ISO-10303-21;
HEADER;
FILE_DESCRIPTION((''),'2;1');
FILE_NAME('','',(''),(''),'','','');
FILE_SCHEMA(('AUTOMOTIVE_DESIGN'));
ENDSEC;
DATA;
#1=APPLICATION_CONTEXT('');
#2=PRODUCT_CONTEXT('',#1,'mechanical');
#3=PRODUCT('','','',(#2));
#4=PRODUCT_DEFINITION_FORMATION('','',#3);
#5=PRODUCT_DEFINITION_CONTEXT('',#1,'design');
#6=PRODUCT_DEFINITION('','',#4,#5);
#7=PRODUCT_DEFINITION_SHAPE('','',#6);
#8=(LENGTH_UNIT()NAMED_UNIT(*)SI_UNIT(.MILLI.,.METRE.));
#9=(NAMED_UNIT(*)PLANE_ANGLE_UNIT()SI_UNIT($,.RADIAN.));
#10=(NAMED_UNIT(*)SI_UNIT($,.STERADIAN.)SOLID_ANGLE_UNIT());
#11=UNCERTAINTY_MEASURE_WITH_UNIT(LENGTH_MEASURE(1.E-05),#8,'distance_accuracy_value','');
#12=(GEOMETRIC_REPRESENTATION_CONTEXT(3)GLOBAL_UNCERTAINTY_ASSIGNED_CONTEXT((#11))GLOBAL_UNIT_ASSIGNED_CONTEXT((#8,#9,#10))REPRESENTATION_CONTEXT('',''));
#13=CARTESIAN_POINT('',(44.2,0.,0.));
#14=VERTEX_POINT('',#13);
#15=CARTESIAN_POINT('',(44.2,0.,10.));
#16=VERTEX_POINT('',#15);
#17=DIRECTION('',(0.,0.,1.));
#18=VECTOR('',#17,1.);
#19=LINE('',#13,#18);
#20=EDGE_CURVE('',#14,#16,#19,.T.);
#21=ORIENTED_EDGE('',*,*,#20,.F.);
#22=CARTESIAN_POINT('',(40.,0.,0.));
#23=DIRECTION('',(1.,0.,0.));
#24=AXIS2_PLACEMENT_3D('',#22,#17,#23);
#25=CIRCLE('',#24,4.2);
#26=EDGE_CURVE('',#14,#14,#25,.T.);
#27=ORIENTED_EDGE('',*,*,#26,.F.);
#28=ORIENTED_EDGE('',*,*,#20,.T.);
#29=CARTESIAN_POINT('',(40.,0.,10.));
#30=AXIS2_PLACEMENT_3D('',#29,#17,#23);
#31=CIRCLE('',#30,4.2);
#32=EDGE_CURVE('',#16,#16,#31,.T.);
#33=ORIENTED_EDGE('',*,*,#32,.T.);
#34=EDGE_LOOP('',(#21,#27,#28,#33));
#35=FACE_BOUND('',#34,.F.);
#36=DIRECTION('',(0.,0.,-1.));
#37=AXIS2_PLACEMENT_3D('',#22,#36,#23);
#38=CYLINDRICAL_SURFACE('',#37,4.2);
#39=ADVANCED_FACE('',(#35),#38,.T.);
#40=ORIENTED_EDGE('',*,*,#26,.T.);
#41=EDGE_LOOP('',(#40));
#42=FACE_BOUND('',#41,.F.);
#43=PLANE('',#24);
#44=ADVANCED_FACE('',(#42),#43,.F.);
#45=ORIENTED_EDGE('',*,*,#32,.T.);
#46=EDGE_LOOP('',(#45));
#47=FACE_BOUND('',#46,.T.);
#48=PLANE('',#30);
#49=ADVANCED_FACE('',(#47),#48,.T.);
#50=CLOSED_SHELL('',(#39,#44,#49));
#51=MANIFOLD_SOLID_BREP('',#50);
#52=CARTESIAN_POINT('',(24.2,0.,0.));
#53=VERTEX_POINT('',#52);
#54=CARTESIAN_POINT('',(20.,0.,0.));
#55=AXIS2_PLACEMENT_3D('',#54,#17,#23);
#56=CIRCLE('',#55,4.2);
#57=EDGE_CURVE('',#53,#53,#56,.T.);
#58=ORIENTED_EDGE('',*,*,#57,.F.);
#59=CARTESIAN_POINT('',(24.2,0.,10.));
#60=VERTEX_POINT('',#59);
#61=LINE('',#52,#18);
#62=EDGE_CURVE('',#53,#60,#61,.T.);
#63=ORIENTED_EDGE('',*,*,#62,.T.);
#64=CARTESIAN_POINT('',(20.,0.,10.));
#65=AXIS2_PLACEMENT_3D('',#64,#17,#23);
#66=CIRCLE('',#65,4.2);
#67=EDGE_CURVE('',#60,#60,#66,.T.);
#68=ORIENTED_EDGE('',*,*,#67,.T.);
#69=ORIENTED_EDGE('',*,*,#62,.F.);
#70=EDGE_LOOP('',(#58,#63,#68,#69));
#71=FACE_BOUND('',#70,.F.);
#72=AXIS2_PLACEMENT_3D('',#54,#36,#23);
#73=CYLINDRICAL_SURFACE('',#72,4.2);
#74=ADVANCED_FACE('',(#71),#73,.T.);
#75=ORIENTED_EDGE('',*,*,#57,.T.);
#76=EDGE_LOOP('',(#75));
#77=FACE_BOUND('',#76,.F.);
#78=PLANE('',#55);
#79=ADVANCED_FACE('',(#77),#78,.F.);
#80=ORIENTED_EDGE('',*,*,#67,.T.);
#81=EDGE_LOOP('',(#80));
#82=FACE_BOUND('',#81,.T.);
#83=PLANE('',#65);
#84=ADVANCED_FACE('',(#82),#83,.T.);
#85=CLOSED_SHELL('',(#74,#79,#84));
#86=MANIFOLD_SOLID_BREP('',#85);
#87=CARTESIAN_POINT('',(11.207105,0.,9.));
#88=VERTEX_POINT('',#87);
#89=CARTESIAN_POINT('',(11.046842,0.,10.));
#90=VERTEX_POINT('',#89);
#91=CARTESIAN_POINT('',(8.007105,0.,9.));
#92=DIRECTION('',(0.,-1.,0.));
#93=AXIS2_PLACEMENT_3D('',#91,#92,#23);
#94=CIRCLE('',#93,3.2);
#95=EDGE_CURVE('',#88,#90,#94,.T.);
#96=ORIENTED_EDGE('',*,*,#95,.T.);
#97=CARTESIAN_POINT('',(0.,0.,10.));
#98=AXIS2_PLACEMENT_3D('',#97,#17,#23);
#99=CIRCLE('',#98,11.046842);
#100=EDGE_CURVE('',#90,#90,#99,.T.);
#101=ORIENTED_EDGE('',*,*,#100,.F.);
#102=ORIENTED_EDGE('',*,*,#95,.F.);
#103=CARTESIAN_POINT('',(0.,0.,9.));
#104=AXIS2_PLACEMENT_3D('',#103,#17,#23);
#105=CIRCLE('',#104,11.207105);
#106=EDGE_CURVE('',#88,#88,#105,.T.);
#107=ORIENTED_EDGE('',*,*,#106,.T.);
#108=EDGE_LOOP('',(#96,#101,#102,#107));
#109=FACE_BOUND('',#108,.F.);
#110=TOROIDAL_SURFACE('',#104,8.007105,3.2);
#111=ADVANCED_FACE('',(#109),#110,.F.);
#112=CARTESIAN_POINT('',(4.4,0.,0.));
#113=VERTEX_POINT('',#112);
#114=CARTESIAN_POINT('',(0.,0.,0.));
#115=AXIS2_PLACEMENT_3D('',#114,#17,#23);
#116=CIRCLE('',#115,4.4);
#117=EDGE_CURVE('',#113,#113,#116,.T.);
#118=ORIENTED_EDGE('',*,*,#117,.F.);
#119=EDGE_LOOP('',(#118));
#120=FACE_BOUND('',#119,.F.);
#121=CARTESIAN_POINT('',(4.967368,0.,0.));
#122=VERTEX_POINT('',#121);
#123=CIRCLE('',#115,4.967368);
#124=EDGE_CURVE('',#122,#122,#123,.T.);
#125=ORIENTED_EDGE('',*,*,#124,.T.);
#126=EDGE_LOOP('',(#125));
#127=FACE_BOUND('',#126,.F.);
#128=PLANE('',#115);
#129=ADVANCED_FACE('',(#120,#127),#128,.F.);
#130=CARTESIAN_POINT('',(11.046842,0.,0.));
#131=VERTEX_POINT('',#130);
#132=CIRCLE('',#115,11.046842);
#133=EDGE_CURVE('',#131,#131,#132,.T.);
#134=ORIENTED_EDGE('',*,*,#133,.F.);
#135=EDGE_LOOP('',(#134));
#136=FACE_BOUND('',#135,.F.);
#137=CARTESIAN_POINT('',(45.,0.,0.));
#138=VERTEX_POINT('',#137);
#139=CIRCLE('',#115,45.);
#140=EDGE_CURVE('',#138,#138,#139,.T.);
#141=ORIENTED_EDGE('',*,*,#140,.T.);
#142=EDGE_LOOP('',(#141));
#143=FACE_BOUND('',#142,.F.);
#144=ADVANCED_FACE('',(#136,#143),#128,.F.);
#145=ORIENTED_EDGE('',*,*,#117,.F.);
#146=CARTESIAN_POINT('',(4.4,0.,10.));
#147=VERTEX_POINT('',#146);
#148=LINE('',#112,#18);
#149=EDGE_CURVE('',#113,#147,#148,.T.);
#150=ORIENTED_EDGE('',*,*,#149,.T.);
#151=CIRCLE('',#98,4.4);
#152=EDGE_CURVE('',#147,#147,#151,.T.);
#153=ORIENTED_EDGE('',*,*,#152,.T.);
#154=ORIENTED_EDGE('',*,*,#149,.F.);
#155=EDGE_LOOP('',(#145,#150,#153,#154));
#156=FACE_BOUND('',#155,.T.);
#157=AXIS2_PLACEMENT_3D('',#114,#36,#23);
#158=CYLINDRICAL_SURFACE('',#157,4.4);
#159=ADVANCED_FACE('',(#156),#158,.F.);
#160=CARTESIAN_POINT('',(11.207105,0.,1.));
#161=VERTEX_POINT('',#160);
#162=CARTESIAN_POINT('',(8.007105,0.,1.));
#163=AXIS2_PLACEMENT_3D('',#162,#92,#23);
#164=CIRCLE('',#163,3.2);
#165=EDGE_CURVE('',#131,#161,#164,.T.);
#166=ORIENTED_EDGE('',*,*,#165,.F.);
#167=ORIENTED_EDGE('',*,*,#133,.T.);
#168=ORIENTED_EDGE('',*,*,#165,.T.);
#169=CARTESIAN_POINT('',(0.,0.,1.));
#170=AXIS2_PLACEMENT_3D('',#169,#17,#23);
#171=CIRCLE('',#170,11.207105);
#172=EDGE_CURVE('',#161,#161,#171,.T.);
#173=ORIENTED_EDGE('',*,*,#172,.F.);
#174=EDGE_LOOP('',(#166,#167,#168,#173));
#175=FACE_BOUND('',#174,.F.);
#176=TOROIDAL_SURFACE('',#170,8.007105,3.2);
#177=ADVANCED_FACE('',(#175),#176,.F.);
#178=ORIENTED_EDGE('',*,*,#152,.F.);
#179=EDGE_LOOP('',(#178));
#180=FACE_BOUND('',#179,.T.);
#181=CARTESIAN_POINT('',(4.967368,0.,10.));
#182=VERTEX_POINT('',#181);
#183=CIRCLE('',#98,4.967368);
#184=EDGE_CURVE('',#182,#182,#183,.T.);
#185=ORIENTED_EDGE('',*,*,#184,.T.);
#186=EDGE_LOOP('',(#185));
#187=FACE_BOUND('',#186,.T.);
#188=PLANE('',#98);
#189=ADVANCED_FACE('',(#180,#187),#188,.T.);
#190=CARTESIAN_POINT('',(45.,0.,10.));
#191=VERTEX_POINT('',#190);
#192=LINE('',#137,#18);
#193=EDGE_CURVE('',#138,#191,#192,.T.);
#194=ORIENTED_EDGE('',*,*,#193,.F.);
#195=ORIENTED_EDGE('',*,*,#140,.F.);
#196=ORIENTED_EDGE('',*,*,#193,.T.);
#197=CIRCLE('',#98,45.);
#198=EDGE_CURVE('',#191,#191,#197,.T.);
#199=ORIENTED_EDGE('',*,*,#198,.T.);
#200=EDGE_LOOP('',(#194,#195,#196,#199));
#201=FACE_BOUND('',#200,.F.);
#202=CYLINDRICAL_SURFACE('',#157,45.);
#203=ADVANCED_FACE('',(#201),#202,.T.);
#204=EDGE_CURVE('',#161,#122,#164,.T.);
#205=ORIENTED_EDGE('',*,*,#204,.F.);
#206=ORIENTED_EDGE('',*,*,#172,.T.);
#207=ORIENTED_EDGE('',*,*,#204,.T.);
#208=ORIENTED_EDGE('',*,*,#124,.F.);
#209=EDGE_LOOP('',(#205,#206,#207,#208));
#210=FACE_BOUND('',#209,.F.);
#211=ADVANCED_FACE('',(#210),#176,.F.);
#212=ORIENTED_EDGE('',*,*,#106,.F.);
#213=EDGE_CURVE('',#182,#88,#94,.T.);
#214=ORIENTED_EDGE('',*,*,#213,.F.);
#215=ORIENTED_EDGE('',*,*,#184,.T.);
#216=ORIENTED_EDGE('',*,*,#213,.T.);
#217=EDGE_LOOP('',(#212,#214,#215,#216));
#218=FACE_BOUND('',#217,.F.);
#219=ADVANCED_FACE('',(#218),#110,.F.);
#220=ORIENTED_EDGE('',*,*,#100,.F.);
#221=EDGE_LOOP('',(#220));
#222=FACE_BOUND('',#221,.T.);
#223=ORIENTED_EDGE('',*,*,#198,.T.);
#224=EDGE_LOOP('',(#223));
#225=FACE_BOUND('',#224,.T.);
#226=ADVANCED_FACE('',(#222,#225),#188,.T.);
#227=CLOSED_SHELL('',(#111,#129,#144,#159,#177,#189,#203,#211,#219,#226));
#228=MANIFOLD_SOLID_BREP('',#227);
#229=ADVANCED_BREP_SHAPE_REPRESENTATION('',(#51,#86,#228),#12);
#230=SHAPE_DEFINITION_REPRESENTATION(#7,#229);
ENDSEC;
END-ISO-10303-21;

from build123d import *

# Parameters (mm, degrees)
CYLINDER001_R                        = 4.4
CYLINDER001_DEPTH                    = 10
SKETCH002_AS_DRAWN_R                 = 3.2
REVOLVE001_ONTO_SKETCH002_ROLL_ANGLE = 90
SKETCH001_AS_DRAWN_R                 = 3.2
REVOLVE_ONTO_SKETCH001_ROLL_ANGLE    = 90
CYLINDER_R                           = 45
CYLINDER_DEPTH                       = 10
CYLINDER002_R                        = 4.2
CYLINDER002_DEPTH                    = 10
CYLINDER003_R                        = 4.2
CYLINDER003_DEPTH                    = 10


with BuildPart() as cylinder001:
    # Cylinder001 → Cylinder001 (new body)
    with BuildSketch(Plane.XY):
        Circle(CYLINDER001_R)
    extrude(amount=CYLINDER001_DEPTH)


with BuildPart() as revolve001:
    # Sketch002 as drawn → Revolve001 (revolve)
    with BuildSketch(Plane.XY):
        with Locations((8.007105, 0)):
            Circle(SKETCH002_AS_DRAWN_R)
    revolve(axis=Axis((0, 0, 0), (0, 1, 0)))


with BuildPart() as revolve001_1:
    # Revolve001 onto Sketch002 roll: moved
    add(revolve001.part.rotate(Axis((0, 0, 0), (1, 0, 0)), REVOLVE001_ONTO_SKETCH002_ROLL_ANGLE))


with BuildPart() as revolve001_2:
    # Revolve001 onto Sketch002 placement: moved
    add(revolve001_1.part)


with BuildPart() as revolve001_3:
    # Revolve001 placement: moved
    add(revolve001_2.part.moved(Location((0, 0, 9))))


with BuildPart() as revolve_body:
    # Sketch001 as drawn → Revolve (revolve)
    with BuildSketch(Plane.XY):
        with Locations((8.007105, 0)):
            Circle(SKETCH001_AS_DRAWN_R)
    revolve(axis=Axis((0, 0, 0), (0, 1, 0)))


with BuildPart() as revolve_body_1:
    # Revolve onto Sketch001 roll: moved
    add(revolve_body.part.rotate(Axis((0, 0, 0), (1, 0, 0)), REVOLVE_ONTO_SKETCH001_ROLL_ANGLE))


with BuildPart() as revolve_body_2:
    # Revolve onto Sketch001 placement: moved
    add(revolve_body_1.part)


with BuildPart() as revolve_body_3:
    # Revolve placement: moved
    add(revolve_body_2.part.moved(Location((0, 0, 1))))


with BuildPart() as cut002:
    # Cylinder → Cylinder (new body)
    with BuildSketch(Plane.XY):
        Circle(CYLINDER_R)
    extrude(amount=CYLINDER_DEPTH)

    # Cut: cut Revolve body
    add(revolve_body_3.part, mode=Mode.SUBTRACT)

    # Cut001: cut Revolve001
    add(revolve001_3.part, mode=Mode.SUBTRACT)

    # Cut002: cut Cylinder001
    add(cylinder001.part, mode=Mode.SUBTRACT)


with BuildPart() as cylinder002:
    # Cylinder002 → Cylinder002 (new body)
    with BuildSketch(Plane(origin=(40, 0, 0), x_dir=(1, 0, 0), z_dir=(0, 0, 1))):
        Circle(CYLINDER002_R)
    extrude(amount=CYLINDER002_DEPTH)


with BuildPart() as cylinder003:
    # Cylinder003 → Cylinder003 (new body)
    with BuildSketch(Plane(origin=(20, 0, 0), x_dir=(1, 0, 0), z_dir=(0, 0, 1))):
        Circle(CYLINDER003_R)
    extrude(amount=CYLINDER003_DEPTH)


solid = Compound([cut002.part, cylinder002.part, cylinder003.part])
